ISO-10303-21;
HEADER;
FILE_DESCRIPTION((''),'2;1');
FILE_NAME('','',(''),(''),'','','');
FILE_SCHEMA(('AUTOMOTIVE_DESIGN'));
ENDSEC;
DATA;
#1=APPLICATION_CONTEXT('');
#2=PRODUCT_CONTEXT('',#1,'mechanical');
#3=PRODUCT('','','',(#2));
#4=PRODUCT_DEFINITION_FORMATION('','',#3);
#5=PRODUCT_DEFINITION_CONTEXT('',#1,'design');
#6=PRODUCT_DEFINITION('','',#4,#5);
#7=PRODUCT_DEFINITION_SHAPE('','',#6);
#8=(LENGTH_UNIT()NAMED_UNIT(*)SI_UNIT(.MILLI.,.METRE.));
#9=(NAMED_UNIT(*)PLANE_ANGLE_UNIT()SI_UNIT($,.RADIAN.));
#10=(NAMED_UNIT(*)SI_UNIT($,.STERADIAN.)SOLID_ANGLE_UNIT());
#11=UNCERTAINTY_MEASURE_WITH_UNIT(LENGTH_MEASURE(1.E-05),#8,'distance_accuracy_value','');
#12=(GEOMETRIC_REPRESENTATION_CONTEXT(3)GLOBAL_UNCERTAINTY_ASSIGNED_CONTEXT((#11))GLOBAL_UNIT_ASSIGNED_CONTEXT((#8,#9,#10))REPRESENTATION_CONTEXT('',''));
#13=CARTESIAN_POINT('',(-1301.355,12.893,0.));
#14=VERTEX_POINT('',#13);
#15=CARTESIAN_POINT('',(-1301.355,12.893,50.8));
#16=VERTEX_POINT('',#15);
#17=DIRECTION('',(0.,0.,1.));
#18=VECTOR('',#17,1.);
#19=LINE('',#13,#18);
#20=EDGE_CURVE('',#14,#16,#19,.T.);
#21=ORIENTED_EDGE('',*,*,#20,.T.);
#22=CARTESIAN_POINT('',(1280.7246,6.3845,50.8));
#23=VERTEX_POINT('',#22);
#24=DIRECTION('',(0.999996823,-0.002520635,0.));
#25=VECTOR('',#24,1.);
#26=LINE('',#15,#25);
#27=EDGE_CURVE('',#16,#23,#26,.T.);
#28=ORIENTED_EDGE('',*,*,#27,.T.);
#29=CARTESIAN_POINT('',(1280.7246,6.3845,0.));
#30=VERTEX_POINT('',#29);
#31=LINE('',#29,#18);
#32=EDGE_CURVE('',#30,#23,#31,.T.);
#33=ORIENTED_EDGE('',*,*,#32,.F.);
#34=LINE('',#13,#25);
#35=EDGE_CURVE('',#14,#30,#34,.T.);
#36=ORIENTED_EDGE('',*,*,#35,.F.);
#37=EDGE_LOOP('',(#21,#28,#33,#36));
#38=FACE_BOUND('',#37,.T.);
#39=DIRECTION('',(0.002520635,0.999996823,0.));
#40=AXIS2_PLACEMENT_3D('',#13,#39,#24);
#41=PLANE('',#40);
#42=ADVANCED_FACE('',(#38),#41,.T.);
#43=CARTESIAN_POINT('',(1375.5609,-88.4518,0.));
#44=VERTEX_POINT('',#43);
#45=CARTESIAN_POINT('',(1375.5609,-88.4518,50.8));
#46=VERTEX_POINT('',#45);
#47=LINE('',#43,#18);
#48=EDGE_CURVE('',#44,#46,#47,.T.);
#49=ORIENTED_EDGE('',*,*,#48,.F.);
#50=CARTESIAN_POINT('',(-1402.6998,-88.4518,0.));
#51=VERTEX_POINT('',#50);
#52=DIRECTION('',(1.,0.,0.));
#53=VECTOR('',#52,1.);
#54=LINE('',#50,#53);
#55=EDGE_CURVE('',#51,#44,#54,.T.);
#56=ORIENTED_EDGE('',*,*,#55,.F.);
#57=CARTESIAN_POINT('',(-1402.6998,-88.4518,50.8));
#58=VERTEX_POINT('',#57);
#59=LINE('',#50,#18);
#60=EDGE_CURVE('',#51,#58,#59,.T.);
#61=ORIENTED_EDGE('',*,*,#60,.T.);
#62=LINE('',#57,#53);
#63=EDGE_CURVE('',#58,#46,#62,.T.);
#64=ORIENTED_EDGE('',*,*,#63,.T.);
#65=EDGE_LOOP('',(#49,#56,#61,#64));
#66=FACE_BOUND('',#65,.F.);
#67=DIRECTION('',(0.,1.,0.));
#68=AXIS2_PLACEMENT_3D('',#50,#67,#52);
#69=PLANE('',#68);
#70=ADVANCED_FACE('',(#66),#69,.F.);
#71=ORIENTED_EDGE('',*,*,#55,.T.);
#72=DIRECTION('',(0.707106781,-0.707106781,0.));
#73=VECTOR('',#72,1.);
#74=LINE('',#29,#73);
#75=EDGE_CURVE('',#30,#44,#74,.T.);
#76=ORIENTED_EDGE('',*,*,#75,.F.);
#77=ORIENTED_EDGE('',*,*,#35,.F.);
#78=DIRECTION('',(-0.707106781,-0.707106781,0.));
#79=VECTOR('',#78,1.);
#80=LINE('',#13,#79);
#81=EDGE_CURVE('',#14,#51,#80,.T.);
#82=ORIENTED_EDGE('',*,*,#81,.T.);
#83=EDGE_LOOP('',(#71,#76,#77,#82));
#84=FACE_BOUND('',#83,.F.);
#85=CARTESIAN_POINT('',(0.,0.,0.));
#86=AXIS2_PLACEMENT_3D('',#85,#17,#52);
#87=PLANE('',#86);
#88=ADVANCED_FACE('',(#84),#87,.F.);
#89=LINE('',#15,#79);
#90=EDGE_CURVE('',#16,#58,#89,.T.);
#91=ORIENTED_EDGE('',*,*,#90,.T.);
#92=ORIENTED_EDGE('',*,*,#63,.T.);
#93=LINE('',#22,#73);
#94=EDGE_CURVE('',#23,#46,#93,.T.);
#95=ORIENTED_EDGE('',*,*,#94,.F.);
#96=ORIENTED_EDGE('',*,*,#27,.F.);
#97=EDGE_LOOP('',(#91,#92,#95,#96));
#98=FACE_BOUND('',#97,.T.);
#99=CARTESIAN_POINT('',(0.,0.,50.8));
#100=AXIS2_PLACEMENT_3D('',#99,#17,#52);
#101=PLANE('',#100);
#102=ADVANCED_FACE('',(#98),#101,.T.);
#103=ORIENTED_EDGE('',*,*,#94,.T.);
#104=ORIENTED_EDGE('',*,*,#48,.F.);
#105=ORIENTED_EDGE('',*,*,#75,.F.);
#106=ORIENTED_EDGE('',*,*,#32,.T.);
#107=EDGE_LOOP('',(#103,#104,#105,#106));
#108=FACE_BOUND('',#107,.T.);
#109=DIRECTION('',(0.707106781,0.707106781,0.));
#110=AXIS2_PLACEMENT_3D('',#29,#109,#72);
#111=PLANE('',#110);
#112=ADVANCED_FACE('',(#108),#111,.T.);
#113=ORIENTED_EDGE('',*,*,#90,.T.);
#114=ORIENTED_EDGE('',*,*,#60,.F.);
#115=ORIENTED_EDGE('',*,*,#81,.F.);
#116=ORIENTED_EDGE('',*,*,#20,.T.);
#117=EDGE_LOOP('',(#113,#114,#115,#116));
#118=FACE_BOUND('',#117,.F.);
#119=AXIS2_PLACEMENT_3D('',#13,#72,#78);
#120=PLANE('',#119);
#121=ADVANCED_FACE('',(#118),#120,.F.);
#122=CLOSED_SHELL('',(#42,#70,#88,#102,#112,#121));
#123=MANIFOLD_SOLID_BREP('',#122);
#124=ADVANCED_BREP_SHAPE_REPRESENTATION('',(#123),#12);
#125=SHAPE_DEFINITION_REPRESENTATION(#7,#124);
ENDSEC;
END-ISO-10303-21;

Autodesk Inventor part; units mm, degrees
ref_plane "YZ Plane" through (0, 0, 0) normal (1, 0, 0) x (0, 1, 0)
ref_plane "XZ Plane" through (0, 0, 0) normal (0, 1, 0) x (-1, 0, 0)
ref_plane "XY Plane" through (0, 0, 0) normal (0, 0, 1) x (1, 0, 0)
sketch "Sketch1" plane through (0, 0, 0) normal (0, 0, 1) x (1, 0, 0)
  line L0 (-1301.355, 12.893) -> (1280.7246, 6.3845)
  line L1 (-1301.6111, -88.7066) -> (-1402.6998, -88.4518)
  line L2 (-1301.355, 12.893) -> (-1402.6998, -88.4518)
  line L3 (-1402.6998, -88.4518) -> (1375.5609, -88.4518)
  line L4 (1280.7246, 6.3845) -> (1375.5609, -88.4518)
  point P0 (0, 0)
  dimension "d0" = 101.6
extrude "Extrusion1" add sketch "Sketch1" along normal blind 50.8
properties part number "2x4xidk"
